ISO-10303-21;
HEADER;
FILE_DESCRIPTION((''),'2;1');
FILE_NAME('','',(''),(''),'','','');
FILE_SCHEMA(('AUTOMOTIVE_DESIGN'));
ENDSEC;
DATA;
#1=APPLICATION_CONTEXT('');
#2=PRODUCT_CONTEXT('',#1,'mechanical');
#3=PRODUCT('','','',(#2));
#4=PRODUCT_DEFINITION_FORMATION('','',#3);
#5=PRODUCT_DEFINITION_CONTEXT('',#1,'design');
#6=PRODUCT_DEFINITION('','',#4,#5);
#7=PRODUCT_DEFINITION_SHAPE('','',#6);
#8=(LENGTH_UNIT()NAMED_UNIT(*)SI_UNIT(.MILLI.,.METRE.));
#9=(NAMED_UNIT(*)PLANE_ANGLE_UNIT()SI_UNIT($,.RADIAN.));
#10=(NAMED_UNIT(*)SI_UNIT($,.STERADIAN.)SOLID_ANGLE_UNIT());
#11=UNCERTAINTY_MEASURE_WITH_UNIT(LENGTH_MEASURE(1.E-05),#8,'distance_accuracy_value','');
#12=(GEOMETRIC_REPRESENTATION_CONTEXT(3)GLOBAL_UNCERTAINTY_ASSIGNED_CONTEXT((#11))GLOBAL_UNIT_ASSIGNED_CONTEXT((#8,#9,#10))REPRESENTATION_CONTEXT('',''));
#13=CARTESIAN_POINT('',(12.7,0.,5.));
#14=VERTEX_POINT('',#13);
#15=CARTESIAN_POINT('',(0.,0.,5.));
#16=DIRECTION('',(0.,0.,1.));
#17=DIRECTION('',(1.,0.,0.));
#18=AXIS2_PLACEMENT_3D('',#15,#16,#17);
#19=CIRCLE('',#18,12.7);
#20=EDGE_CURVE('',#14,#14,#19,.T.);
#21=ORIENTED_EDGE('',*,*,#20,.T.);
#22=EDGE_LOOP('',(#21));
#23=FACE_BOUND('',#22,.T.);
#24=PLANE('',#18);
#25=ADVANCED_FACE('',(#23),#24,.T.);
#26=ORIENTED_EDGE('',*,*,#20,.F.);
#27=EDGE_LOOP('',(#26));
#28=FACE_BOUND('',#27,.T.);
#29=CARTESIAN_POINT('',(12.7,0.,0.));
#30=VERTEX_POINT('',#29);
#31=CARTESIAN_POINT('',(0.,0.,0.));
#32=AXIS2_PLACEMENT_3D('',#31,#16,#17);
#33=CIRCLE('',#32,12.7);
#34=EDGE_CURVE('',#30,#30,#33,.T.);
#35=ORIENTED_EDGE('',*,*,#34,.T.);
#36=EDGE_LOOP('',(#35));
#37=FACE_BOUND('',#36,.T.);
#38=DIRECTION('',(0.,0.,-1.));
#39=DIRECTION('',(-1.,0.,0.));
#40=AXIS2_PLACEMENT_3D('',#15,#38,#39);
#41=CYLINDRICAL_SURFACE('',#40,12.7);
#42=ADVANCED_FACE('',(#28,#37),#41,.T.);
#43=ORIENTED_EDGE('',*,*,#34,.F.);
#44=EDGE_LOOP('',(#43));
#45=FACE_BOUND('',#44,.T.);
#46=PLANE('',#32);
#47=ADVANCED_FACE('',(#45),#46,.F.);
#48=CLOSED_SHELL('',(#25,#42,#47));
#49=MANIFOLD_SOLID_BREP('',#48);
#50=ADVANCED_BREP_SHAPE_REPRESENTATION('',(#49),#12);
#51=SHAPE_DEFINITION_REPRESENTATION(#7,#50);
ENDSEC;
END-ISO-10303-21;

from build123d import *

# Parameters (mm, degrees)
SKETCH_1_R      = 12.7
EXTRUDE_1_DEPTH = 5


with BuildPart() as part:
    # 草图1 → 凸台-拉伸1 (new body)
    with BuildSketch(Plane.XY):
        Circle(SKETCH_1_R)
    extrude(amount=EXTRUDE_1_DEPTH)


solid = part.part
